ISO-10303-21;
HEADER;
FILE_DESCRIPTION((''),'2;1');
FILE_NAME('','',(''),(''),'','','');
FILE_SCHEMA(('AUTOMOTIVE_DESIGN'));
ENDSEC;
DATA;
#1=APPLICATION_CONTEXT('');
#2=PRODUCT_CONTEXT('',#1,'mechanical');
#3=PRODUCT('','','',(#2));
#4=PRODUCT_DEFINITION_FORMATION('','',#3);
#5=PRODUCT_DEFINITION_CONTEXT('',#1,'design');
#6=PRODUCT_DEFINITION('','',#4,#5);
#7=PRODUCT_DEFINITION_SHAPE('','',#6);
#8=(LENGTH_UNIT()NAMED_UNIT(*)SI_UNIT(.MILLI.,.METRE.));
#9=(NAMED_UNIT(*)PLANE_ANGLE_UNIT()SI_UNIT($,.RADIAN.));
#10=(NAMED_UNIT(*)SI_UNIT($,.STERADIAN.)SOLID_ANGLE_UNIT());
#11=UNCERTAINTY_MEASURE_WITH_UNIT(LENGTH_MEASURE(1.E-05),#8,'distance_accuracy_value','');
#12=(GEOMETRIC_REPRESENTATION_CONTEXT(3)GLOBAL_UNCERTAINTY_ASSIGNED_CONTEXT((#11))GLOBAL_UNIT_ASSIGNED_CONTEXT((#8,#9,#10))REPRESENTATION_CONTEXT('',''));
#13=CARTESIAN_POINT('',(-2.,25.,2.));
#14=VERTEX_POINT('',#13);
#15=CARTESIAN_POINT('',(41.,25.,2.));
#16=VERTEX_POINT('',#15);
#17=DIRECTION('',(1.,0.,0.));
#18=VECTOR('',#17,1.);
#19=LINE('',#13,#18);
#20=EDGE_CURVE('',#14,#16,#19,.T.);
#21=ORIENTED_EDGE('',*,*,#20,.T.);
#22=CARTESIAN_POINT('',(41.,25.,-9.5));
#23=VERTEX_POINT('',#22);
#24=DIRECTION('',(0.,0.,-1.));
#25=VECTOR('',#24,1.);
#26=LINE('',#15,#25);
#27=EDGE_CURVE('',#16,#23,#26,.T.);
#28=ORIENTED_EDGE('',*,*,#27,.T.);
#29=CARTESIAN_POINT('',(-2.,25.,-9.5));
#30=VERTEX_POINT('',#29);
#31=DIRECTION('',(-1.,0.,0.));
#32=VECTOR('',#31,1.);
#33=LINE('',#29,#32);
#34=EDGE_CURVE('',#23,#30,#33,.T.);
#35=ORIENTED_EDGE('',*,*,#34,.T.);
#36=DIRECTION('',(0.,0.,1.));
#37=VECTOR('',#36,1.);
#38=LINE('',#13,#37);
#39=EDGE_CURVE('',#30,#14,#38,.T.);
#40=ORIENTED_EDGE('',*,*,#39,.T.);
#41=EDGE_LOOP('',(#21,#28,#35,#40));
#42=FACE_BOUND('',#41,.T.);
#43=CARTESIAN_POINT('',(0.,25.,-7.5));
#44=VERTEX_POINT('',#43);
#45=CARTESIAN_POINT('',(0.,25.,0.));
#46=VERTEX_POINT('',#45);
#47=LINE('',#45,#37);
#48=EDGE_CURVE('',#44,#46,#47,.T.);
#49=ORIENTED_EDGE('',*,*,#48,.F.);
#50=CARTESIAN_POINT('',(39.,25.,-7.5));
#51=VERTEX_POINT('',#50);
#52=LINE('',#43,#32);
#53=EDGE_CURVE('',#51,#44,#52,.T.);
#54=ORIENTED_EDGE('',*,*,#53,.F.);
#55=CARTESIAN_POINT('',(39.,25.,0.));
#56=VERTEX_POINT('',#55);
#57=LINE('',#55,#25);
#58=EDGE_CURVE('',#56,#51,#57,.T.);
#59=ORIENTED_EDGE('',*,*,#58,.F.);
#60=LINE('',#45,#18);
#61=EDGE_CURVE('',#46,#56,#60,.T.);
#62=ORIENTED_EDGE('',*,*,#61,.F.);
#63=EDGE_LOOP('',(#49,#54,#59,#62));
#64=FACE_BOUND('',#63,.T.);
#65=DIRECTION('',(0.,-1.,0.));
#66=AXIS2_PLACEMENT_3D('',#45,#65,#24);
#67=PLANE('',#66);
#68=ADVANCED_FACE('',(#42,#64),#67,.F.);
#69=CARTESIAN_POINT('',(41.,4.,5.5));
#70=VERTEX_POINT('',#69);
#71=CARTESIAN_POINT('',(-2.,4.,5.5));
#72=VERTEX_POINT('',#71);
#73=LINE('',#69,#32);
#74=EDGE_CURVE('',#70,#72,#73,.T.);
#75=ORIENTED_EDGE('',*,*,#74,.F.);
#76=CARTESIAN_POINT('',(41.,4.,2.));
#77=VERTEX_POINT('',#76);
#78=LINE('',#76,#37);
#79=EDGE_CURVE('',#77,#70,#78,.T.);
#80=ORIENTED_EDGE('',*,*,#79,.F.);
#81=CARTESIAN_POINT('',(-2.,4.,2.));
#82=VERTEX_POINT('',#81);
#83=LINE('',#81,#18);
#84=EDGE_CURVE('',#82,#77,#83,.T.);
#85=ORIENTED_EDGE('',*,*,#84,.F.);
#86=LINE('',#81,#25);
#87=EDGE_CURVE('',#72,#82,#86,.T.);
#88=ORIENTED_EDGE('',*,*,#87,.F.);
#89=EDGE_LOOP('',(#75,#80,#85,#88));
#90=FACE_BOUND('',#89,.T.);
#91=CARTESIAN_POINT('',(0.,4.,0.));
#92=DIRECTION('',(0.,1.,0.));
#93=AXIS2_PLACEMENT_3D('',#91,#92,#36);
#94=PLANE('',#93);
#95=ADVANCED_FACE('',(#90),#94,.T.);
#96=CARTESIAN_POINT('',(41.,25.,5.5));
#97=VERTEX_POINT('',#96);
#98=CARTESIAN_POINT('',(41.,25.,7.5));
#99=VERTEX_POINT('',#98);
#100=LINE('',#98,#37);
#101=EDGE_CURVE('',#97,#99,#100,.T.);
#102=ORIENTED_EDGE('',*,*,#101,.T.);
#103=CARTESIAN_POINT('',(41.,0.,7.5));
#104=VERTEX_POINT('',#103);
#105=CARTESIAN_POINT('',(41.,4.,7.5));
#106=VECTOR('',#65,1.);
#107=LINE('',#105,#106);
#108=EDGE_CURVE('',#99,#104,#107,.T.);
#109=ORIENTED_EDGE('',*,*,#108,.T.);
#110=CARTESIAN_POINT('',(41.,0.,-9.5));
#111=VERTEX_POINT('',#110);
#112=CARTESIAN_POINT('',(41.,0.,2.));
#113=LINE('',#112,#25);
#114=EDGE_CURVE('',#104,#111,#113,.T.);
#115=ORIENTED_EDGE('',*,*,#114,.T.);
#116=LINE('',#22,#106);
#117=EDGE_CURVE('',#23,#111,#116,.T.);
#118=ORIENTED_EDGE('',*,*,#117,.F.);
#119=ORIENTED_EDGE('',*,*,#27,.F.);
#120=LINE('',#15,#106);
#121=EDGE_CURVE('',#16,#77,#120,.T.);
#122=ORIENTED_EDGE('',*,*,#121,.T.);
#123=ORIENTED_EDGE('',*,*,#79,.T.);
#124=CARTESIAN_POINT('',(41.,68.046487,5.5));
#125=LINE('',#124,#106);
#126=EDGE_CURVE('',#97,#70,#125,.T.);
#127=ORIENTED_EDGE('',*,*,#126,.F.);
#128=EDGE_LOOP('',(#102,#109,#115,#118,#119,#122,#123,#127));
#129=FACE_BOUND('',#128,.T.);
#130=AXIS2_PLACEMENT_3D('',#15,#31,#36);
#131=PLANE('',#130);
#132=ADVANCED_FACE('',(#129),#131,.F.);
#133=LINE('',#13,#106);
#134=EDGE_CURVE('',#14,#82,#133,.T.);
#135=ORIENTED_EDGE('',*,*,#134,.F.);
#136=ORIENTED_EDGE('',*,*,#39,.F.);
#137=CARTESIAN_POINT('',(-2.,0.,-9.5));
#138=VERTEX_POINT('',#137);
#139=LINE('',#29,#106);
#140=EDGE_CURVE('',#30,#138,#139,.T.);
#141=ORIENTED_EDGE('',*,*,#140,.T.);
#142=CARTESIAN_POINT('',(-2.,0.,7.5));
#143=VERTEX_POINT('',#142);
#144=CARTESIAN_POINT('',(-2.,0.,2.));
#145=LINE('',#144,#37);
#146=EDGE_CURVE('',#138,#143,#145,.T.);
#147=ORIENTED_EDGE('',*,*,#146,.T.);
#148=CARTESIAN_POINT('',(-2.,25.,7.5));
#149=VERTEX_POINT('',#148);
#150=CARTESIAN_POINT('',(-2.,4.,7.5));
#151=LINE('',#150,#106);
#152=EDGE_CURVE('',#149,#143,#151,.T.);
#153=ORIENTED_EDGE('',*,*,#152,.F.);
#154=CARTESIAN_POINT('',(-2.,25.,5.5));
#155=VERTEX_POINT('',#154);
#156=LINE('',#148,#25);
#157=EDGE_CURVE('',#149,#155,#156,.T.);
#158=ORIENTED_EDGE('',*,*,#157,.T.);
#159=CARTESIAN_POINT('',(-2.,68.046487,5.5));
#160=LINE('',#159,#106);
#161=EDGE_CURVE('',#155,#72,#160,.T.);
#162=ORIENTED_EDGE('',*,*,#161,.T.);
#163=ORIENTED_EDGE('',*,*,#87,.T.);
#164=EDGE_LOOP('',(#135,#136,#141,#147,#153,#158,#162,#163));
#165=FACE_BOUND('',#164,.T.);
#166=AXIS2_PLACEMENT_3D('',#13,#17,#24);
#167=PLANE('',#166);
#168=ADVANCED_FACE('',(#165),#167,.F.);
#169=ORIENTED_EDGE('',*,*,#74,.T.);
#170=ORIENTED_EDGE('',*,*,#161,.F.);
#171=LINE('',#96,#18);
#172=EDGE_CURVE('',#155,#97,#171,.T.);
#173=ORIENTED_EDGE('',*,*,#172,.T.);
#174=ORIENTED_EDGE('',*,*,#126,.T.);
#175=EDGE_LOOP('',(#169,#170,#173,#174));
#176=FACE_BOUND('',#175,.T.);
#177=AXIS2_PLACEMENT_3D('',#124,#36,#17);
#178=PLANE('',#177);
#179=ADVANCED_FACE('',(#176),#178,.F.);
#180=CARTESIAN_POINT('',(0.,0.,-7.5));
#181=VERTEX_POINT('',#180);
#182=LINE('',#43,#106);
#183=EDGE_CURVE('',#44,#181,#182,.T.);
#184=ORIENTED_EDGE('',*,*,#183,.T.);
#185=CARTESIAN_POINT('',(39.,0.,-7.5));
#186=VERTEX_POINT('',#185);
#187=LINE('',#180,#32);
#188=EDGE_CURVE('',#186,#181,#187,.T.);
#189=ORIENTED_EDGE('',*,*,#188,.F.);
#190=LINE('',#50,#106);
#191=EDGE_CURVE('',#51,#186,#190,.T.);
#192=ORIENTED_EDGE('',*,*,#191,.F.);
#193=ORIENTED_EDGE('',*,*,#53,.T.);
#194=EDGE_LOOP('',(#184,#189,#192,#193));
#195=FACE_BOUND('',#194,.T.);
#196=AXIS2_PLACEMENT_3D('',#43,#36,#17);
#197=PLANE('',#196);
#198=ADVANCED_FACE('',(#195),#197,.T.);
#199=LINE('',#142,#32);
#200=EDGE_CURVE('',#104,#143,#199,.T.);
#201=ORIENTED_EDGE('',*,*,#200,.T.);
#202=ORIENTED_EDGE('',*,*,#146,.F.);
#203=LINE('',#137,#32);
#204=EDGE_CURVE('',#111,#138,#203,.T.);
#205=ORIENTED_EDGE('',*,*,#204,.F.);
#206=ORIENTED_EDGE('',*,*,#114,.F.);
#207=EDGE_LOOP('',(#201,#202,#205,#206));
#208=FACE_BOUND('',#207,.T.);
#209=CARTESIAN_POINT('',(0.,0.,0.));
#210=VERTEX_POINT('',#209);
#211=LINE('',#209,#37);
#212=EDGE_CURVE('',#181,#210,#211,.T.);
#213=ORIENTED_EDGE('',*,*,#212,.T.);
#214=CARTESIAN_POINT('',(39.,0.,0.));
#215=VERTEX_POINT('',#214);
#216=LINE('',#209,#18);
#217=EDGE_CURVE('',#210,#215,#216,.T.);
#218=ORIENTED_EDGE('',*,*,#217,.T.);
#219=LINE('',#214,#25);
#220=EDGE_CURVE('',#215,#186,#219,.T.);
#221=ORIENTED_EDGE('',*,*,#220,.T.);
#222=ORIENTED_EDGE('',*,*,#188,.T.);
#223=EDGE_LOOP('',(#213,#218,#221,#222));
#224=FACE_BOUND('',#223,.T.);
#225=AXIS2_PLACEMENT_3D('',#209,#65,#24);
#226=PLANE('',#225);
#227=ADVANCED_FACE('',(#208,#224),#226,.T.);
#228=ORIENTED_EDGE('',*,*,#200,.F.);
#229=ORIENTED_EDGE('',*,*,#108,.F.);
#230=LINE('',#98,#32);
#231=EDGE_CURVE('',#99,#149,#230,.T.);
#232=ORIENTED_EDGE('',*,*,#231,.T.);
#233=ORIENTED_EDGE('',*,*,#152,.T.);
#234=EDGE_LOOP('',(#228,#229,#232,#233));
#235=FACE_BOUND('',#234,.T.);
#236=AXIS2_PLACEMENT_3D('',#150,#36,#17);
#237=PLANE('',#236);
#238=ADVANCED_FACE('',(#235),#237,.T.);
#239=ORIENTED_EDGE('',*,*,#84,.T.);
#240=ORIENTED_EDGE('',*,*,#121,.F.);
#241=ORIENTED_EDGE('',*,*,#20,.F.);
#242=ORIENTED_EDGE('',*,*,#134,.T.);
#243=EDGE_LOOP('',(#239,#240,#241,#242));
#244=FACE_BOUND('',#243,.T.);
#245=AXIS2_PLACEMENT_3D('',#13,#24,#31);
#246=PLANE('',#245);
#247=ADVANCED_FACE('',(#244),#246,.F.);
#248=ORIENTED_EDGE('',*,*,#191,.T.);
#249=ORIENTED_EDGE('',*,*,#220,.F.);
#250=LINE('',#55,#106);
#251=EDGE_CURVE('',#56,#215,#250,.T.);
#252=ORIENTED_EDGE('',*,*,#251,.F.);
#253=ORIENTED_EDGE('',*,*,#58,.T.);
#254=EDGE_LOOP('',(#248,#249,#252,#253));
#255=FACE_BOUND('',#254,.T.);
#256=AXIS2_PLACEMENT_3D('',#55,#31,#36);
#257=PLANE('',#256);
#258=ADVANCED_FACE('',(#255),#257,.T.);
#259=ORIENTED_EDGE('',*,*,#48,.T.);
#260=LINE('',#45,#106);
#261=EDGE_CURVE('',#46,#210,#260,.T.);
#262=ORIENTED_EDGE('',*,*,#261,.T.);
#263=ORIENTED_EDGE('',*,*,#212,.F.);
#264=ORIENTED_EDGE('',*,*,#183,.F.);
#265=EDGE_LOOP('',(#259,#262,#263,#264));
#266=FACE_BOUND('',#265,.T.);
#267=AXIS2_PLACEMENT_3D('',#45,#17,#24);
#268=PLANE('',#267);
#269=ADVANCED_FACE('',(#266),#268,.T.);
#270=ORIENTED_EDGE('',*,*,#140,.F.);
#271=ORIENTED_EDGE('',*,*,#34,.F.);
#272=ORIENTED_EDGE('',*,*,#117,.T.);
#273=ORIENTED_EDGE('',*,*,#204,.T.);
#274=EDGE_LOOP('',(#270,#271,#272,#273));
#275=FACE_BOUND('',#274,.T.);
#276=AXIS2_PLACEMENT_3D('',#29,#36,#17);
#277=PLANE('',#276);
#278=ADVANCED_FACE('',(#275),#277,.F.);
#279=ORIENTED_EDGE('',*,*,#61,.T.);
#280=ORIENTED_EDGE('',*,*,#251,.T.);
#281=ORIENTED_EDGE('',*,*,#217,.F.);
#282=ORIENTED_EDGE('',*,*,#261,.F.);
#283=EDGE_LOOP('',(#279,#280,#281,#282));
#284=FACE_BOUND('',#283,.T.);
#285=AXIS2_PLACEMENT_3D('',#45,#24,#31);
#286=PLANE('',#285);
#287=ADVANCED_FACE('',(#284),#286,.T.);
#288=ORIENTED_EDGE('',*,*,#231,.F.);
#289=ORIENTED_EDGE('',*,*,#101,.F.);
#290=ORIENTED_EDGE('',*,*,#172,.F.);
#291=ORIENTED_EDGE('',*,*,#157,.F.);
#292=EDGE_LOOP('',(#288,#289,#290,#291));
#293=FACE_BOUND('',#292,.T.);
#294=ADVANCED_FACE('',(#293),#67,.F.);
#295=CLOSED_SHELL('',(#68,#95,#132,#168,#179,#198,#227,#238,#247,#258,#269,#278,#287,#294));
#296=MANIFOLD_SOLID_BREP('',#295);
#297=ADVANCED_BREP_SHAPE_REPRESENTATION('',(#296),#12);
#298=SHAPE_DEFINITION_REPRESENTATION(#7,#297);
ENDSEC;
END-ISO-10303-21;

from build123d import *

# Parameters (mm, degrees)
SKETCH1_W           = 43
SKETCH1_H           = 11.5
SKETCH1_W_2         = 39
SKETCH1_H_2         = 7.5
BOSS_EXTRUDE1_DEPTH = 25
SKETCH2_W           = 43
SKETCH2_H           = 5.5
BOSS_EXTRUDE2_DEPTH = 4
SKETCH3_W           = 43
SKETCH3_H           = 2
BOSS_EXTRUDE3_DEPTH = 21


with BuildPart() as part:
    # Sketch1 → Boss-Extrude1 (new body)
    with BuildSketch(Plane(origin=(0, 0, 0), x_dir=(1, 0, 0), z_dir=(0, 1, 0))):
        with Locations((19.5, 3.75)):
            Rectangle(SKETCH1_W, SKETCH1_H)
        with Locations((19.5, 3.75)):
            Rectangle(SKETCH1_W_2, SKETCH1_H_2, mode=Mode.SUBTRACT)
    extrude(amount=BOSS_EXTRUDE1_DEPTH)

    # Sketch2 → Boss-Extrude2 (add)
    with BuildSketch(Plane.XZ):
        with Locations((19.5, 4.75)):
            Rectangle(SKETCH2_W, SKETCH2_H)
    extrude(amount=-BOSS_EXTRUDE2_DEPTH)

    # Sketch3 → Boss-Extrude3 (add)
    with BuildSketch(Plane(origin=(0, 4, 0), x_dir=(1, 0, 0), z_dir=(0, 1, 0))):
        with Locations((19.5, -6.5)):
            Rectangle(SKETCH3_W, SKETCH3_H)
    extrude(amount=BOSS_EXTRUDE3_DEPTH)


solid = part.part
